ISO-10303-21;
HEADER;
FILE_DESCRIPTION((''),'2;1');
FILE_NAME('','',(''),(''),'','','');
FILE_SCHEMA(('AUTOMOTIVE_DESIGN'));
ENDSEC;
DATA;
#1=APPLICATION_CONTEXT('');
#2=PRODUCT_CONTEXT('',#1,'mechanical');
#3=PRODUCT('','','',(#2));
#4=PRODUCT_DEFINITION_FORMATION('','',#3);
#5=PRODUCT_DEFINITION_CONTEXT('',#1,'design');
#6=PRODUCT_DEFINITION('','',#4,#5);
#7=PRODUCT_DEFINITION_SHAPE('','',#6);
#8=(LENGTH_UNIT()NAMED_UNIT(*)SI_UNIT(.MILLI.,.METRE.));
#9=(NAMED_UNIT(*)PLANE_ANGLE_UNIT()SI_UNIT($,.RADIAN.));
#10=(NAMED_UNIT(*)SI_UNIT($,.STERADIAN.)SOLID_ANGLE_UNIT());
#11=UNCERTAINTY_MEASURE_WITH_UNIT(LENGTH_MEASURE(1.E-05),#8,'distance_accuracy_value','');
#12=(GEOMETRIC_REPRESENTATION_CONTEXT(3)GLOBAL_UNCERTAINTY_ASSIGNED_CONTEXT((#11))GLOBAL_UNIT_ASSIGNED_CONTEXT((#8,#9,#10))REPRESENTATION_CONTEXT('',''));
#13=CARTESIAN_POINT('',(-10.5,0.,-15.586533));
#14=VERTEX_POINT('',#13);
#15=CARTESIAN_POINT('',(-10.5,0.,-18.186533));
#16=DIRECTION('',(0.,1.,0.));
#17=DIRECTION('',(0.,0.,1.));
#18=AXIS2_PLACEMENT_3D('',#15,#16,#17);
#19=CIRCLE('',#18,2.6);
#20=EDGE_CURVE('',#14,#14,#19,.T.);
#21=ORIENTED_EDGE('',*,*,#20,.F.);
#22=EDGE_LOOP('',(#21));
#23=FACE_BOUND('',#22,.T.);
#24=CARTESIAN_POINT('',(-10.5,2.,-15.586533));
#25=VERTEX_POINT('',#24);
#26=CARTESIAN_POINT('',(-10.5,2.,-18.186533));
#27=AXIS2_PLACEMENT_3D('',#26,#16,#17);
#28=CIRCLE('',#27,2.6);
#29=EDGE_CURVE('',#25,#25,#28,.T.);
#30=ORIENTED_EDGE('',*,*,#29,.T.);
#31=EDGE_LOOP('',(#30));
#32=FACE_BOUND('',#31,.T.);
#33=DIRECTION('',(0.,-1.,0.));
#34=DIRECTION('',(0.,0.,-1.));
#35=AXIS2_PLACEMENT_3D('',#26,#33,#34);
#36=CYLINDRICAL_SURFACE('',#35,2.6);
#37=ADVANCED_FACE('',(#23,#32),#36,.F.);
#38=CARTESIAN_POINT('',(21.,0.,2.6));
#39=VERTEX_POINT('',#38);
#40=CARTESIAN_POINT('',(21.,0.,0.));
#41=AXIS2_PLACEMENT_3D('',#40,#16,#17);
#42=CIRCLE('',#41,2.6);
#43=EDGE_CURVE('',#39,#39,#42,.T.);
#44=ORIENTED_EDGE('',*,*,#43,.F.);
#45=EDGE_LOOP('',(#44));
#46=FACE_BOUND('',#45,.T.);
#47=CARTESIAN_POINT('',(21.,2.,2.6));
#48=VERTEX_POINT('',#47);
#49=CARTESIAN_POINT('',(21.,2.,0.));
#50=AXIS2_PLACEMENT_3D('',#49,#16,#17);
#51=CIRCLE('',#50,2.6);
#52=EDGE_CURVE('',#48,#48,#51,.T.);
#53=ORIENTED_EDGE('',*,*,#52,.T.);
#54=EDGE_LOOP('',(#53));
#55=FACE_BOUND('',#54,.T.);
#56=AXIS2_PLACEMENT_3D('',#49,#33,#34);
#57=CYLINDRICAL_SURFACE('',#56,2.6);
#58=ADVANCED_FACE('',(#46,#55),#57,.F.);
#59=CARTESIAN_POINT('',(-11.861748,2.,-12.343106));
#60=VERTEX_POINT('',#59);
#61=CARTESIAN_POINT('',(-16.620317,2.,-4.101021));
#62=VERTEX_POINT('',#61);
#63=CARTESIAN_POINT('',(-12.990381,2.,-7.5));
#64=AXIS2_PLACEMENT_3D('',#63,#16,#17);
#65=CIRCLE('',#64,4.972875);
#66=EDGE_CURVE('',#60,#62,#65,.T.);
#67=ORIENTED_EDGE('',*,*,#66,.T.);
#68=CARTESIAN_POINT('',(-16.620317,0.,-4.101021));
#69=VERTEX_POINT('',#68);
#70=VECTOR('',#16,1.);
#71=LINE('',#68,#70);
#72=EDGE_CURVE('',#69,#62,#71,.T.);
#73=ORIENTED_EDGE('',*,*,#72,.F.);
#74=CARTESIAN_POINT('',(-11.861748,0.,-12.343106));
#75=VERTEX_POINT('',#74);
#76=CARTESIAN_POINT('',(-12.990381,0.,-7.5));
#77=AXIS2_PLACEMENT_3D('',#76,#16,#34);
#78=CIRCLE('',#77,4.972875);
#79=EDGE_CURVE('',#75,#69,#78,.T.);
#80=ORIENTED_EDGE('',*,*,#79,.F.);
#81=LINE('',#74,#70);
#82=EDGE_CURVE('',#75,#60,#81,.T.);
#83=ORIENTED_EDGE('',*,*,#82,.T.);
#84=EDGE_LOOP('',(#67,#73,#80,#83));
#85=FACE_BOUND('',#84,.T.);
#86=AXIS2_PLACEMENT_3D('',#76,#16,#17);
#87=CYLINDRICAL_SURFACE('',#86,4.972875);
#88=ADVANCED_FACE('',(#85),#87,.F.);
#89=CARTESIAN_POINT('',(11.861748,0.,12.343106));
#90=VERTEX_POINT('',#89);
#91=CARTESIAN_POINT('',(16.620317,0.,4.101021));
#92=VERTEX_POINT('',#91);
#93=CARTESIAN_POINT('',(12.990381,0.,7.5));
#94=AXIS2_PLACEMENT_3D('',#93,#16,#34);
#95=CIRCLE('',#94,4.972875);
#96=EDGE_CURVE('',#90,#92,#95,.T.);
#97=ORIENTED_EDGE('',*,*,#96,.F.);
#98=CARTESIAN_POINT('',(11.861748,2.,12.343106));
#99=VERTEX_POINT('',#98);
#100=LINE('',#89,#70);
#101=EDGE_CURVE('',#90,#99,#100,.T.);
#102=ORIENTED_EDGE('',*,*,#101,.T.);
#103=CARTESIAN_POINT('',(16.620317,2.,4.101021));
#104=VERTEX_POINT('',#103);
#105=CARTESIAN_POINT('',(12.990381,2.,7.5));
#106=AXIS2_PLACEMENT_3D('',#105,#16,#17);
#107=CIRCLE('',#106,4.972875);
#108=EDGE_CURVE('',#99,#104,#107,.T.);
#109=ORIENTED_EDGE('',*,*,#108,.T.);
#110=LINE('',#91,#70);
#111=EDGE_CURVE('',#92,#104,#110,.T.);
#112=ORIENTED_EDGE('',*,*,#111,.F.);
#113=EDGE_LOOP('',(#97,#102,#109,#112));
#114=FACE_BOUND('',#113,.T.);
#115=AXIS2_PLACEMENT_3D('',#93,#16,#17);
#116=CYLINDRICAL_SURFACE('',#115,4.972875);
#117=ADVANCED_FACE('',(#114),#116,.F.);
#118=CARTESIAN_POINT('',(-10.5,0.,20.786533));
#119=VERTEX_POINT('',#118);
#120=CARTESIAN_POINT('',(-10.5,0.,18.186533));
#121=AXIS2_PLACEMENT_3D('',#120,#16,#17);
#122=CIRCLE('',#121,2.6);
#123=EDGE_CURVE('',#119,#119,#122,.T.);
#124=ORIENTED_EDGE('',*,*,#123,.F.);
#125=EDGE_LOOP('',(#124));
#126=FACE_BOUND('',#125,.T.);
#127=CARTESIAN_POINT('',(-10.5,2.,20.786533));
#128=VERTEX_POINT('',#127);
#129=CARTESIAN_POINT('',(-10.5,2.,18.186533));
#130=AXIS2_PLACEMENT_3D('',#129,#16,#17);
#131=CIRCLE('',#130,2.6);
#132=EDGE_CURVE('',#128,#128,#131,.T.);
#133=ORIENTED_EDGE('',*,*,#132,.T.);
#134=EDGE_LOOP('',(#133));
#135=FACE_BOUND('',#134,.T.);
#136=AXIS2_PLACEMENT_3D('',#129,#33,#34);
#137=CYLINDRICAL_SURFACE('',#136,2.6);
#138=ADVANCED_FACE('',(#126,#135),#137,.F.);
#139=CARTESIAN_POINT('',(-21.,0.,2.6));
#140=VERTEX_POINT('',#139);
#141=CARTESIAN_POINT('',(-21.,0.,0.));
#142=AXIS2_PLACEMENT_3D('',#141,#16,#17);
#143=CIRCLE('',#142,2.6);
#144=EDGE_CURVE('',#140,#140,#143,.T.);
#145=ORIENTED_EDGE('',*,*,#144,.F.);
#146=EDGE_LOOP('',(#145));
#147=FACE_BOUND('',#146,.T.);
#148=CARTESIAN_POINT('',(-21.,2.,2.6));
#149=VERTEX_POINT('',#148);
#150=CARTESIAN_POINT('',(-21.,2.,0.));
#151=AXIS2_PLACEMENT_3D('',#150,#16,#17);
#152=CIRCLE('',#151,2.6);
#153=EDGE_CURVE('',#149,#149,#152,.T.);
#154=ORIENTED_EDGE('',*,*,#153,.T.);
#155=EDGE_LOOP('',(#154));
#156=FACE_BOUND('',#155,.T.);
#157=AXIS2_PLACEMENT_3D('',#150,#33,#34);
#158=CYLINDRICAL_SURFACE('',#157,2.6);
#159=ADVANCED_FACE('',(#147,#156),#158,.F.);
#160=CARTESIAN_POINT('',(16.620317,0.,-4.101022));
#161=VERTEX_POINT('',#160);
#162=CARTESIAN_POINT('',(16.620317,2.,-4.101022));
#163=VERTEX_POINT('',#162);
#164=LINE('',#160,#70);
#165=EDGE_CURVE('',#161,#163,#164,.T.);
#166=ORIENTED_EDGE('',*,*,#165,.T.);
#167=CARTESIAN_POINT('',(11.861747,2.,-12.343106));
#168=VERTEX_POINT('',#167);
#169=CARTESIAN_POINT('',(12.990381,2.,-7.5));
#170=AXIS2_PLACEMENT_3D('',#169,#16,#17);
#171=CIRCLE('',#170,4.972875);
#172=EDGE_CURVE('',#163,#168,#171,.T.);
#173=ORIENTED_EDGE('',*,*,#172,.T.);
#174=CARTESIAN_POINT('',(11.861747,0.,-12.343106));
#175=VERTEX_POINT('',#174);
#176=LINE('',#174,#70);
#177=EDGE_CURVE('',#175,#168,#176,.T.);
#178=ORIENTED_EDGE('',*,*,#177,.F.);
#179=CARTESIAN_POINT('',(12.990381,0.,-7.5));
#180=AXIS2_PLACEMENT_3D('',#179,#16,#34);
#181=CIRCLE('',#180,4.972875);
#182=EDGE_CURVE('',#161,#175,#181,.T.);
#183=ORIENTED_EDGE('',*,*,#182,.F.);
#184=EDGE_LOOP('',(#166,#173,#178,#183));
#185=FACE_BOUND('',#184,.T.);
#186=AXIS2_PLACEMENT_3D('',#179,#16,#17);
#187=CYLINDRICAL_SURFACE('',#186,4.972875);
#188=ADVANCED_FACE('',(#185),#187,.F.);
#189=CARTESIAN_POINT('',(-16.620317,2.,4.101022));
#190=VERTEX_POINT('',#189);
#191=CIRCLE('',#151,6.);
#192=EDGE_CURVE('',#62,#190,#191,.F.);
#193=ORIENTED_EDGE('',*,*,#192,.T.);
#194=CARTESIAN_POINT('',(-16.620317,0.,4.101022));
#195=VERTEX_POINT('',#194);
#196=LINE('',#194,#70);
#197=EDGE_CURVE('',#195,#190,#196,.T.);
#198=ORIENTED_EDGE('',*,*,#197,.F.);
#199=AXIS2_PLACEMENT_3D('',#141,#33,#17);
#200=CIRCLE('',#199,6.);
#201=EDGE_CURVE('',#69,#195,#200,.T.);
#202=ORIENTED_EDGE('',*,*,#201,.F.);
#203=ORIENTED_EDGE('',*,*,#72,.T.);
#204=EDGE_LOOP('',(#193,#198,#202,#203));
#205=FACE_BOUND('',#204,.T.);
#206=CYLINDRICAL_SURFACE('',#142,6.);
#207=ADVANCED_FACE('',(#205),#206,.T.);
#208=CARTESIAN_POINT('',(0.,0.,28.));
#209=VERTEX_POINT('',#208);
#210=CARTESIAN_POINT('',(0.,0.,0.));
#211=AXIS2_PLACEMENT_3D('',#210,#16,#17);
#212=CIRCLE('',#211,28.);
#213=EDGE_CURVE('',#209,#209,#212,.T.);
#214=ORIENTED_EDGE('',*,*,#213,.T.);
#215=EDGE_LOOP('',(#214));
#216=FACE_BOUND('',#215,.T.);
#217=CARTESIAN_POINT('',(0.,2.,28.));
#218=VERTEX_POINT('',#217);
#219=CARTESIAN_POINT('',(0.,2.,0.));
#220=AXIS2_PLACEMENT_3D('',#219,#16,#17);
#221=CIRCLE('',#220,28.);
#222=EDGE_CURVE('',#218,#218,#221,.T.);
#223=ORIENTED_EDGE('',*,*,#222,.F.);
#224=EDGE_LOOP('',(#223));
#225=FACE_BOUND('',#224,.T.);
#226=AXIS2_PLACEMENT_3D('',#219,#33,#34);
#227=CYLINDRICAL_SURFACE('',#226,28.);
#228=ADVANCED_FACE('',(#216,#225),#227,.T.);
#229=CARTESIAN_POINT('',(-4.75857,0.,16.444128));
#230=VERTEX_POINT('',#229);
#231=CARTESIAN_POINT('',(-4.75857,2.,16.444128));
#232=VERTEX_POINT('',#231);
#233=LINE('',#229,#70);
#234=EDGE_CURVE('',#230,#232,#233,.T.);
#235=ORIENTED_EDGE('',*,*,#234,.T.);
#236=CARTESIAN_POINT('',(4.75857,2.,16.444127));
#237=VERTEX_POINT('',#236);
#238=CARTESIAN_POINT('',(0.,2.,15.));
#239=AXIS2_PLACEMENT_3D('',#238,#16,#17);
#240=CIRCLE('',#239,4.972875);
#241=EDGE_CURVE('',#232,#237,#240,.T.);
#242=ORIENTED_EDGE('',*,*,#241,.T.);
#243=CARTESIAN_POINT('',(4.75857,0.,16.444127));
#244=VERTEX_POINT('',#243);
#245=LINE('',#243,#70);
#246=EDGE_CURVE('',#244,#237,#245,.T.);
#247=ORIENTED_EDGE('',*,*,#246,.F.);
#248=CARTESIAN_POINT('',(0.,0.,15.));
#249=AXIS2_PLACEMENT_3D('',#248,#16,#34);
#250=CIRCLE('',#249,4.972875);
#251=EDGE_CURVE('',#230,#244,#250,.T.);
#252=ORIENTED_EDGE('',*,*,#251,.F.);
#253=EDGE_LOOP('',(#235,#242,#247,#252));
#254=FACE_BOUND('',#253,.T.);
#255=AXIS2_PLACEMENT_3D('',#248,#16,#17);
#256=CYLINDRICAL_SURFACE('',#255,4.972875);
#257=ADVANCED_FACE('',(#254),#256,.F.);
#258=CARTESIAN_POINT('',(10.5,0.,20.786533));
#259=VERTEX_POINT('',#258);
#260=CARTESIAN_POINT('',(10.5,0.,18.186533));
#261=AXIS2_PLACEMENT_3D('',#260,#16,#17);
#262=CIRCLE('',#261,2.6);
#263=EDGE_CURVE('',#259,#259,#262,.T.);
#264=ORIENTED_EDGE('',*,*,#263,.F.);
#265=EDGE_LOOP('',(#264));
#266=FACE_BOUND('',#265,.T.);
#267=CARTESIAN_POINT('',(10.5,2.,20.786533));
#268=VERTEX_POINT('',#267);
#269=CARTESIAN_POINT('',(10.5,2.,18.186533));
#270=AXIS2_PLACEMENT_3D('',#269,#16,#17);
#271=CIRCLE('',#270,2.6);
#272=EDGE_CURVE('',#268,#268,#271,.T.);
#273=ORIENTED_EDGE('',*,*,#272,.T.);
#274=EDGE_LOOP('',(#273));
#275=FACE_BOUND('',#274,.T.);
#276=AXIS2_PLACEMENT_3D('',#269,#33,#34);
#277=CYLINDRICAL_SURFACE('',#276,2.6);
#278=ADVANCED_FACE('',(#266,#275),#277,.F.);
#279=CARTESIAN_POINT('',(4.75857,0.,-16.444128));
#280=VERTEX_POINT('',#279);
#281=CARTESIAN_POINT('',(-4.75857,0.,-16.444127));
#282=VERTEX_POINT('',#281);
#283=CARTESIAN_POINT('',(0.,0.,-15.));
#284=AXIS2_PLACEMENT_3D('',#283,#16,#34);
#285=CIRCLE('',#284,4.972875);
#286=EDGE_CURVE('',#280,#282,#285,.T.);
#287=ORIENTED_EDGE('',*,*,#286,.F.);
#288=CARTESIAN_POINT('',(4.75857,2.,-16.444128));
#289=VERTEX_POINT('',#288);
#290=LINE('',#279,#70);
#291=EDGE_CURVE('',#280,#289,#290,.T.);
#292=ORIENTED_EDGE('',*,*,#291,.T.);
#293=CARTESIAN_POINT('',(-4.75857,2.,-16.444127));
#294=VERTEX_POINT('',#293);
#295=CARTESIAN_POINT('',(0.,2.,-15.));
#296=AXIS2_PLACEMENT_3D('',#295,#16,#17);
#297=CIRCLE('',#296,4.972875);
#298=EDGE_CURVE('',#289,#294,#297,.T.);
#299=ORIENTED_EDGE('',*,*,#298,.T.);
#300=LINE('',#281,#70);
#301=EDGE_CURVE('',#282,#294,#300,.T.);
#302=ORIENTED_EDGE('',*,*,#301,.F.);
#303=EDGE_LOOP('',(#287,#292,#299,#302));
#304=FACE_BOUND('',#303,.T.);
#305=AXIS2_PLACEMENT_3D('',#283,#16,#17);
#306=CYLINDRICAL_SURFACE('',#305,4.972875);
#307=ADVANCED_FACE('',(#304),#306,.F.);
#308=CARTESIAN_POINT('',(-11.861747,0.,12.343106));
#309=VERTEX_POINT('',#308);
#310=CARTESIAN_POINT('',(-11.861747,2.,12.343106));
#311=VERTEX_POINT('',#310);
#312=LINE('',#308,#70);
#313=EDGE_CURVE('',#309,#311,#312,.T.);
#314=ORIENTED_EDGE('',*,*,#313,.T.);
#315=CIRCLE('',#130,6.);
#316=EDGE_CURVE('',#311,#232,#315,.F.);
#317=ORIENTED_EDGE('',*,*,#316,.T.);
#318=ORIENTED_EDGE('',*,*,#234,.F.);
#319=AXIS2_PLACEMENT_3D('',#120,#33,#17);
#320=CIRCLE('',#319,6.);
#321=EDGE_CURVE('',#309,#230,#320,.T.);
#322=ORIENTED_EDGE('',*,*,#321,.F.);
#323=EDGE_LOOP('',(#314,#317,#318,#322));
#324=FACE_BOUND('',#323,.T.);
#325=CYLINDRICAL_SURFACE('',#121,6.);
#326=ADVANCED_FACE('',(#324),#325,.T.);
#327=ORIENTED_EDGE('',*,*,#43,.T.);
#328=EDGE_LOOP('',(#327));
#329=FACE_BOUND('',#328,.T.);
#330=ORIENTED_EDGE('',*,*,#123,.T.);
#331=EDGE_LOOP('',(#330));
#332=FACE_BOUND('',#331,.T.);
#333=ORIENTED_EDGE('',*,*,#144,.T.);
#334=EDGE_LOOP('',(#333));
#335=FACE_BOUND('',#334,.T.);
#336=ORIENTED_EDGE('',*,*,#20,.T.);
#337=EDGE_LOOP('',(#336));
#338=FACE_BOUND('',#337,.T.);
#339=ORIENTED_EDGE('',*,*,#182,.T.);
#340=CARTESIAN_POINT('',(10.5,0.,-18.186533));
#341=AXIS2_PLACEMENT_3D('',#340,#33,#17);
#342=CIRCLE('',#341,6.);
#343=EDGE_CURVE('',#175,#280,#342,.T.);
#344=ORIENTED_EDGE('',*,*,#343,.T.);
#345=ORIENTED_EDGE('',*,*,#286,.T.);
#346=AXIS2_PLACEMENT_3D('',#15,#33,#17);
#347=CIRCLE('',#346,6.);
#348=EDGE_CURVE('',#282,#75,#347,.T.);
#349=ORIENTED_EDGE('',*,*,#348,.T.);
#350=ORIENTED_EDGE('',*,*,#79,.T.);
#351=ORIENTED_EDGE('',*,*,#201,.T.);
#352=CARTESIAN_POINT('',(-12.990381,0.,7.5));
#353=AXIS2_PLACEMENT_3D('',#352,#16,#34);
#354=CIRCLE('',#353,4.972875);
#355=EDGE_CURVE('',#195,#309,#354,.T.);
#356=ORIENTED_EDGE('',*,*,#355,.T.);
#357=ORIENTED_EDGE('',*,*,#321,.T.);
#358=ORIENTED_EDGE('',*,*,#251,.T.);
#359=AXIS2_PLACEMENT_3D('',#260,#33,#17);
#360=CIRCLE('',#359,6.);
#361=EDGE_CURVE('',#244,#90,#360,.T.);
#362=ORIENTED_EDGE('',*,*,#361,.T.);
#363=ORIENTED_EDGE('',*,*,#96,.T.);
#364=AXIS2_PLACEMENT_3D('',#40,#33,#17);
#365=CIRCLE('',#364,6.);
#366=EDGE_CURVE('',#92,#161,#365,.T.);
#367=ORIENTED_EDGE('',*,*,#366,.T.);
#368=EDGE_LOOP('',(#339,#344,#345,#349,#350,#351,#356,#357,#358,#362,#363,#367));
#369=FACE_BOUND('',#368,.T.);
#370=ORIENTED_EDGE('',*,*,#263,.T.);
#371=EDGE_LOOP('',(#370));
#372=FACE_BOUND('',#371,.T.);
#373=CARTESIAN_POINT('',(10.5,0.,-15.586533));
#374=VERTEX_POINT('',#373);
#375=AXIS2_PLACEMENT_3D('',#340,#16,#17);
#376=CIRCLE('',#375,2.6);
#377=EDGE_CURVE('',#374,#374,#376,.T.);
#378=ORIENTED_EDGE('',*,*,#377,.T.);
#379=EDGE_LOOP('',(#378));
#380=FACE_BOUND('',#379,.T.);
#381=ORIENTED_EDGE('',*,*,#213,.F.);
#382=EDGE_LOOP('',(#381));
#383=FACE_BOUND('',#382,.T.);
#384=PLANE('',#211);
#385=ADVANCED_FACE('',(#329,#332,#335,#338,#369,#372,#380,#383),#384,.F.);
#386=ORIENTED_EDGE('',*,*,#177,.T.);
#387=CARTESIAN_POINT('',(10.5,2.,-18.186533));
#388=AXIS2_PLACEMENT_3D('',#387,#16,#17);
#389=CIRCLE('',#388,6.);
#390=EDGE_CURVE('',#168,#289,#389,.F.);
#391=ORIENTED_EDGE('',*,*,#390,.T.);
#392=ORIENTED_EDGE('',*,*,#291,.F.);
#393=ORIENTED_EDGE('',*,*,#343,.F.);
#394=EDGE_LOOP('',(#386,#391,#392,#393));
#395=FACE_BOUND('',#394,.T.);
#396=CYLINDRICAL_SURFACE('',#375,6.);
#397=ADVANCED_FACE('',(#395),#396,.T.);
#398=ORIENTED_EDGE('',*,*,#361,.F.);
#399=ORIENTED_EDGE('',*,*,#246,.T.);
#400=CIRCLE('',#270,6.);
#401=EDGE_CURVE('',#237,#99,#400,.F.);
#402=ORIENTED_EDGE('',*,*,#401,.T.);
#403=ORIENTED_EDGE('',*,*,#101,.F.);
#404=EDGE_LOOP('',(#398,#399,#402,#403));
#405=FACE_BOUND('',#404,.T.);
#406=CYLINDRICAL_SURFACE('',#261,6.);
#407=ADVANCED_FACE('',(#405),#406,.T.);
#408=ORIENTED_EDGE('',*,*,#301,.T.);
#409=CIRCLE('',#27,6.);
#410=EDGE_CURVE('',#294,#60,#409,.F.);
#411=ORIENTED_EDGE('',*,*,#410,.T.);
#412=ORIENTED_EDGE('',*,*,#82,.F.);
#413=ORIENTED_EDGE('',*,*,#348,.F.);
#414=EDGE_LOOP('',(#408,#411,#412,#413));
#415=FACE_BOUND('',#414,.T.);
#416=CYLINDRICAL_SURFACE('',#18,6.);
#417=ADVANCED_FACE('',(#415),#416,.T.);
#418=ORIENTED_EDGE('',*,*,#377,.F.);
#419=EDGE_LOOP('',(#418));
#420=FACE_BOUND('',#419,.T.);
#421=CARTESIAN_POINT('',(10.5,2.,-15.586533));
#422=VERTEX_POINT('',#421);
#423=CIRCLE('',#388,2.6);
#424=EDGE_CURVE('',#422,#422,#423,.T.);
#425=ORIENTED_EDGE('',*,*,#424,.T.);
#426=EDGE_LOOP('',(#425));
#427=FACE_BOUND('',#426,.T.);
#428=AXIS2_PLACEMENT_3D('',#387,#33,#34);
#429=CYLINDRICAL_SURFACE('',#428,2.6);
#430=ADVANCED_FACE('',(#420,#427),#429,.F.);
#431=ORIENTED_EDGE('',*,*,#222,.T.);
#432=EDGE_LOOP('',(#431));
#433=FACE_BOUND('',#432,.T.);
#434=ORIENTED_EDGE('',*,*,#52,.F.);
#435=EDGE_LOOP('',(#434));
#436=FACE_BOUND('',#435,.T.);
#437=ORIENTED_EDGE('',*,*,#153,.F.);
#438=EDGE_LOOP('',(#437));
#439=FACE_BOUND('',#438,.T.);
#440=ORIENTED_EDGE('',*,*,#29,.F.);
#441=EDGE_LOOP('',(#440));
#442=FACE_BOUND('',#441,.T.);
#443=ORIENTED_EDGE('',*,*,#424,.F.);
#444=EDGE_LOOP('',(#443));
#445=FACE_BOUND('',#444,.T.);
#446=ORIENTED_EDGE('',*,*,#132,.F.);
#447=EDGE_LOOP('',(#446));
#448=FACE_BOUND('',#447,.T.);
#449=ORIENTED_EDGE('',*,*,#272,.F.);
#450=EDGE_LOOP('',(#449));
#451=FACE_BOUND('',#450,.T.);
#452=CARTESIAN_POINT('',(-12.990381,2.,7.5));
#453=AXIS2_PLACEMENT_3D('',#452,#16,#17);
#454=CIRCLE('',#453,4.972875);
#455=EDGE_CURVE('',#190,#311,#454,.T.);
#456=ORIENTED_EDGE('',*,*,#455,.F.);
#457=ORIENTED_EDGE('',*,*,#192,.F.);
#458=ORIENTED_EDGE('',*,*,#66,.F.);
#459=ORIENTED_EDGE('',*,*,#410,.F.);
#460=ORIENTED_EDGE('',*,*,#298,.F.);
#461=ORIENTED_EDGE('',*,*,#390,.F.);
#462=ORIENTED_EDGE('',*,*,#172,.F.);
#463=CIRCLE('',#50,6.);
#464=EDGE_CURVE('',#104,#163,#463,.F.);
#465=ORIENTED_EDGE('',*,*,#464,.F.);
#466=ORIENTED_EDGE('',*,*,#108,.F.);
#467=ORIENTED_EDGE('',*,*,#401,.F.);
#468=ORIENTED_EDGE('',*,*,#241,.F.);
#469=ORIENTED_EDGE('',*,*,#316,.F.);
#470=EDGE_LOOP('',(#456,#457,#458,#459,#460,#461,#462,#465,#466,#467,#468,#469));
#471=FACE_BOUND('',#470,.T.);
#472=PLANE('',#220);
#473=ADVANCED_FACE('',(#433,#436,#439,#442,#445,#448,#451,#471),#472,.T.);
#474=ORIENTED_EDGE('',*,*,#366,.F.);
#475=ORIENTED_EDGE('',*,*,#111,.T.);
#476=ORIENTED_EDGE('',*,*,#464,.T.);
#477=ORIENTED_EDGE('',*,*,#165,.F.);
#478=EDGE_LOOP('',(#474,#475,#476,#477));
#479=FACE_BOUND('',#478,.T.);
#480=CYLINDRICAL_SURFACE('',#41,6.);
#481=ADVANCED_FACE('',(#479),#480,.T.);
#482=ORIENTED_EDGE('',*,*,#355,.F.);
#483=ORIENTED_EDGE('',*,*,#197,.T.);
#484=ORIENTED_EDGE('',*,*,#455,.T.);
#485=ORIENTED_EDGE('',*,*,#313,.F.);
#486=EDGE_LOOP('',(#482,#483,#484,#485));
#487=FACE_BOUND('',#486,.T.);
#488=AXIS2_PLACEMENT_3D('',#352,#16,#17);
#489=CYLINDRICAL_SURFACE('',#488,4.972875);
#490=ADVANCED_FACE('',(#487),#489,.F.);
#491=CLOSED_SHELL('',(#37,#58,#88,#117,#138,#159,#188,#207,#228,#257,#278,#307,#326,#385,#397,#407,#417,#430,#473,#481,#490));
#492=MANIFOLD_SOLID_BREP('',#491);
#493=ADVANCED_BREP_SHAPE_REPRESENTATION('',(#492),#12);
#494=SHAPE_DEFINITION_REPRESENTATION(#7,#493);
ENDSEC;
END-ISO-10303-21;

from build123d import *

# Parameters (mm, degrees)
SKETCH_1_R               = 28
SKETCH_1_R_2             = 2.6
EXTRUDE_1_DEPTH          = 2
CUT_EXTRUDE_2_DEPTH      = 40.648455203
CUT_EXTRUDE_2_DEPTH_BACK = 40.648455203


with BuildPart() as part:
    # 草图1 → 凸台-拉伸1 (new body)
    with BuildSketch(Plane(origin=(0, 0, 0), x_dir=(1, 0, 0), z_dir=(0, 1, 0))):
        with Locations(Location((0, 0, 0), (0, 0, 270))):
            Circle(SKETCH_1_R)
        with Locations(Location((10.5, 18.186533479, 0), (0, 0, 270))):
            Circle(SKETCH_1_R_2, mode=Mode.SUBTRACT)
        with Locations(Location((21, 0, 0), (0, 0, 270))):
            Circle(SKETCH_1_R_2, mode=Mode.SUBTRACT)
        with Locations(Location((10.5, -18.186533479, 0), (0, 0, 270))):
            Circle(SKETCH_1_R_2, mode=Mode.SUBTRACT)
        with Locations(Location((-10.5, -18.186533479, 0), (0, 0, 270))):
            Circle(SKETCH_1_R_2, mode=Mode.SUBTRACT)
        with Locations(Location((-21, 0, 0), (0, 0, 270))):
            Circle(SKETCH_1_R_2, mode=Mode.SUBTRACT)
        with Locations(Location((-10.5, 18.186533479, 0), (0, 0, 270))):
            Circle(SKETCH_1_R_2, mode=Mode.SUBTRACT)
    extrude(amount=EXTRUDE_1_DEPTH)

    # 草图4 → 切除-拉伸2 (cut, two sides: drawn at the far end of the back side and taken through both)
    with BuildSketch(Plane(origin=(0, 2, 0), x_dir=(1, 0, 0), z_dir=(0, 1, 0)).offset(-CUT_EXTRUDE_2_DEPTH_BACK)):
        with BuildLine():
            ThreePointArc((4.758569662, 16.444127766), (7.4999998, 12.990381172), (11.861747108, 12.343105991))
            ThreePointArc((11.861747108, 12.343105991), (17.29701741, 9.986437924), (16.620317219, 4.10102167))
            ThreePointArc((16.620317219, 4.10102167), (15, 2.31e-07), (16.620316904, -4.101021333))
            ThreePointArc((16.620316904, -4.101021333), (17.297017641, -9.986437525), (11.861747557, -12.343106096))
            ThreePointArc((11.861747557, -12.343106096), (7.5000002, -12.990380941), (4.758569796, -16.444127324))
            ThreePointArc((4.758569796, -16.444127324), (2.31e-07, -19.972875449), (-4.758569662, -16.444127766))
            ThreePointArc((-4.758569662, -16.444127766), (-7.4999998, -12.990381172), (-11.861747108, -12.343105991))
            ThreePointArc((-11.861747108, -12.343105991), (-17.29701741, -9.986437924), (-16.620317219, -4.10102167))
            ThreePointArc((-16.620317219, -4.10102167), (-15, -2.31e-07), (-16.620316904, 4.101021333))
            ThreePointArc((-16.620316904, 4.101021333), (-17.297017641, 9.986437525), (-11.861747557, 12.343106096))
            ThreePointArc((-11.861747557, 12.343106096), (-7.5000002, 12.990380941), (-4.758569796, 16.444127324))
            ThreePointArc((-4.758569796, 16.444127324), (-2.31e-07, 19.972875449), (4.758569662, 16.444127766))
        make_face()
    extrude(amount=CUT_EXTRUDE_2_DEPTH + CUT_EXTRUDE_2_DEPTH_BACK, mode=Mode.SUBTRACT)


solid = part.part
